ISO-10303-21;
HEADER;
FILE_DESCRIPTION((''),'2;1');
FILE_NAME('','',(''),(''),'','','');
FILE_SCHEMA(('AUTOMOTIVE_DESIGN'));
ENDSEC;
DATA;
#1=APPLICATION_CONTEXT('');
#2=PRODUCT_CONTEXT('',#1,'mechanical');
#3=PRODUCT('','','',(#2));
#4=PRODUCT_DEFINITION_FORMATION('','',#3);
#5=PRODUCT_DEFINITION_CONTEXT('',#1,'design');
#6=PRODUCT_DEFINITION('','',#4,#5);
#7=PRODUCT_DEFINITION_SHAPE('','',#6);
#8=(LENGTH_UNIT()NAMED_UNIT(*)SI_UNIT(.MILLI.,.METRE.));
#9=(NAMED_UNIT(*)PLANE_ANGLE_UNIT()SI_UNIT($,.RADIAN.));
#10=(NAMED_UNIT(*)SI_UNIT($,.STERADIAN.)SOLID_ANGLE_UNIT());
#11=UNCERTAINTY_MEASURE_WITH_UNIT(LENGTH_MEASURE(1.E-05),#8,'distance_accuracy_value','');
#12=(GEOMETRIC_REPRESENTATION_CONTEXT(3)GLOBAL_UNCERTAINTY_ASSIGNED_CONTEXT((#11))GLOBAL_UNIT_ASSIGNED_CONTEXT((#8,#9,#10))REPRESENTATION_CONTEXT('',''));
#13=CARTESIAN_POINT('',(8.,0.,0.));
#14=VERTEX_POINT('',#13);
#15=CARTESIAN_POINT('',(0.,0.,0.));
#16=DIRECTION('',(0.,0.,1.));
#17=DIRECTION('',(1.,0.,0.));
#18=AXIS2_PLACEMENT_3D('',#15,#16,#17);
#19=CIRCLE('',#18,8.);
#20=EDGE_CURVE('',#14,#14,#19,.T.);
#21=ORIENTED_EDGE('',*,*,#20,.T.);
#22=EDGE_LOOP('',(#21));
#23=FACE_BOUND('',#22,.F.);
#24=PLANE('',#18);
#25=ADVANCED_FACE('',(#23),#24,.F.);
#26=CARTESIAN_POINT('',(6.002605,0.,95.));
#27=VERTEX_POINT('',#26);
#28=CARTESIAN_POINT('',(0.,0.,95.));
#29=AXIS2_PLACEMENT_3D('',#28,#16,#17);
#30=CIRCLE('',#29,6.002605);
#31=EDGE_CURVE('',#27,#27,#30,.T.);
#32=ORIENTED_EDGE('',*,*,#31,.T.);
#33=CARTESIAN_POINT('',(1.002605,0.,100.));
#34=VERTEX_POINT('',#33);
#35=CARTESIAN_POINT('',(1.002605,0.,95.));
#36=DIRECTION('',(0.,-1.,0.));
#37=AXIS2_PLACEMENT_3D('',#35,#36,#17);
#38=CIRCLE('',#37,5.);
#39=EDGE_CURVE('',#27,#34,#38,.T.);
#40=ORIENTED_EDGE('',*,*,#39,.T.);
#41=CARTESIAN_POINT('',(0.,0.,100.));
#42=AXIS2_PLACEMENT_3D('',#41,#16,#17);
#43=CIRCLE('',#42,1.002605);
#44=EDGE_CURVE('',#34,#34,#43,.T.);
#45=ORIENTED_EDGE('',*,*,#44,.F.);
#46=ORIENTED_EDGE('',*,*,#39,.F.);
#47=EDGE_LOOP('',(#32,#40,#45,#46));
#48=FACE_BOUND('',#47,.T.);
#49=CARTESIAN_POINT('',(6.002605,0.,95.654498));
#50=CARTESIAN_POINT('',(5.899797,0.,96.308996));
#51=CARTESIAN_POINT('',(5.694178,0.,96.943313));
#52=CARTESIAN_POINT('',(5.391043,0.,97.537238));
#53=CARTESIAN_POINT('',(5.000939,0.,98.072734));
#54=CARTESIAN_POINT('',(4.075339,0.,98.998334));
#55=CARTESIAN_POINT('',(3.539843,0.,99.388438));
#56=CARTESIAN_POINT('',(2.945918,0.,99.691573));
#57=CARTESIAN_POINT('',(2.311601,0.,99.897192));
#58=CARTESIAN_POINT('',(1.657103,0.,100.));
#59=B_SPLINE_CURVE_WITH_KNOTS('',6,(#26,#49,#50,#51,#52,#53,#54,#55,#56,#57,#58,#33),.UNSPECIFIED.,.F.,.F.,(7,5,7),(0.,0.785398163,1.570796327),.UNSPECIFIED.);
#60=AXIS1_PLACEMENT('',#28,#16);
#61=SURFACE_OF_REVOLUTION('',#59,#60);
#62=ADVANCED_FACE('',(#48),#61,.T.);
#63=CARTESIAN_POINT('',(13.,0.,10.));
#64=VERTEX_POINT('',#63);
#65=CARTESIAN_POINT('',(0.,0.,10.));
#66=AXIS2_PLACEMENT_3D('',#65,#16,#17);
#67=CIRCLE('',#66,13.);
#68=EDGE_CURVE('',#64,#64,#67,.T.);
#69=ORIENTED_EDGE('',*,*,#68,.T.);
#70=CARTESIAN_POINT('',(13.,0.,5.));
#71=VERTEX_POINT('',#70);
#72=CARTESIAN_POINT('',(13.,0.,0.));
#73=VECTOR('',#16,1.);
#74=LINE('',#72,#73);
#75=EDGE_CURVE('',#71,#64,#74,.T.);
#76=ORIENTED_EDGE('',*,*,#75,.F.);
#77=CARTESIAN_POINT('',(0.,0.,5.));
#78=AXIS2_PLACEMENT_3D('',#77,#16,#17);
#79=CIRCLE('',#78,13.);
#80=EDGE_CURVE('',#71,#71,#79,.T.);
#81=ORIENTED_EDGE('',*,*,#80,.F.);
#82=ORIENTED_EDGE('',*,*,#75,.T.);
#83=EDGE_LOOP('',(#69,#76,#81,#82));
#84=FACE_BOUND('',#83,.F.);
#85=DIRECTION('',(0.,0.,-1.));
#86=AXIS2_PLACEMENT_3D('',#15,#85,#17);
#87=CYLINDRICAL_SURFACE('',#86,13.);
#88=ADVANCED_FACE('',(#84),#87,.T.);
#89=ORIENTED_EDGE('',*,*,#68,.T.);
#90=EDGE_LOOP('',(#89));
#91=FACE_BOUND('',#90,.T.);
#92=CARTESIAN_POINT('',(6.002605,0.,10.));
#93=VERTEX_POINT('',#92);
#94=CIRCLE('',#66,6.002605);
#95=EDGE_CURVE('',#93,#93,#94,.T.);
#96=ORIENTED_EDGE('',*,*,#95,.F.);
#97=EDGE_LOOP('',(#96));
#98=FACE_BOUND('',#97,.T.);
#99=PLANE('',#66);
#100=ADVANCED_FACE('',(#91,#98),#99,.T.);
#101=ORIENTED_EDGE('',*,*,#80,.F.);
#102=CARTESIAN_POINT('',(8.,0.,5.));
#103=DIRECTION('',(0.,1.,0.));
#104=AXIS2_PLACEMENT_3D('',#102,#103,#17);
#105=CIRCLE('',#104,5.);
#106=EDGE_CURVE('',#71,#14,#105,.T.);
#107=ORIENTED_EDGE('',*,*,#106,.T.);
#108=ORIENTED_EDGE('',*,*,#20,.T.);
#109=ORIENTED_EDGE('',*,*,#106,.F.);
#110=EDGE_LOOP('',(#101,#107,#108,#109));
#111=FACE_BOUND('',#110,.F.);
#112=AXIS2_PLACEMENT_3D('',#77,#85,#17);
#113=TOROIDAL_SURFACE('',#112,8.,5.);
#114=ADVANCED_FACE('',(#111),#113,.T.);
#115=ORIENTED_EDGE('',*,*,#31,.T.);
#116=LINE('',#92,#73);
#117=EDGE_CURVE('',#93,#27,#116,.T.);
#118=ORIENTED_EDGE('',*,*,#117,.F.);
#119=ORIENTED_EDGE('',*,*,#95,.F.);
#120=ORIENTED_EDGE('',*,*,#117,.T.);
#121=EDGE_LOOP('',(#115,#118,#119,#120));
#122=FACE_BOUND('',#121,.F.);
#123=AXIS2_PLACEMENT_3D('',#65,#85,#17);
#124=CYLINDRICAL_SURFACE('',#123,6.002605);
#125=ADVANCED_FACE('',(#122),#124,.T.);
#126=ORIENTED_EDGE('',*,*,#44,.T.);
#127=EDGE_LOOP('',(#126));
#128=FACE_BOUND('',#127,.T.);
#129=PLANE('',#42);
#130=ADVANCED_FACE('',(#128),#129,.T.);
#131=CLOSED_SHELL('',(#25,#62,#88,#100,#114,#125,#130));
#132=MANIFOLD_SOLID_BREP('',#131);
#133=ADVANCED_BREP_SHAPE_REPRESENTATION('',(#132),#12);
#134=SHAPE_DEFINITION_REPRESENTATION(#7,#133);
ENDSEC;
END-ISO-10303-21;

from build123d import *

# Parameters (mm, degrees)
F0_R     = 13
F1_DEPTH = 10
F2_R     = 6.002605
F3_DEPTH = 90
F4_R     = 5
F5_R     = 5


with BuildPart() as f1:
    # F0 (on Top) → F1 (new body)
    with BuildSketch(Plane.XY):
        Circle(F0_R)
    extrude(amount=F1_DEPTH)

    # F2 (on face) → F3 (join)
    with BuildSketch(Plane.XY.offset(10)):
        Circle(F2_R)
    extrude(amount=F3_DEPTH)

    # F4
    f4_edges = [f1.edges().sort_by_distance(p)[0] for p in [
        (-13, 0, 0),
    ]]
    fillet(f4_edges, radius=F4_R)

    # F5
    f5_edges = [f1.edges().sort_by_distance(p)[0] for p in [
        (-6.002605, 0, 100),
    ]]
    fillet(f5_edges, radius=F5_R)


solid = f1.part
